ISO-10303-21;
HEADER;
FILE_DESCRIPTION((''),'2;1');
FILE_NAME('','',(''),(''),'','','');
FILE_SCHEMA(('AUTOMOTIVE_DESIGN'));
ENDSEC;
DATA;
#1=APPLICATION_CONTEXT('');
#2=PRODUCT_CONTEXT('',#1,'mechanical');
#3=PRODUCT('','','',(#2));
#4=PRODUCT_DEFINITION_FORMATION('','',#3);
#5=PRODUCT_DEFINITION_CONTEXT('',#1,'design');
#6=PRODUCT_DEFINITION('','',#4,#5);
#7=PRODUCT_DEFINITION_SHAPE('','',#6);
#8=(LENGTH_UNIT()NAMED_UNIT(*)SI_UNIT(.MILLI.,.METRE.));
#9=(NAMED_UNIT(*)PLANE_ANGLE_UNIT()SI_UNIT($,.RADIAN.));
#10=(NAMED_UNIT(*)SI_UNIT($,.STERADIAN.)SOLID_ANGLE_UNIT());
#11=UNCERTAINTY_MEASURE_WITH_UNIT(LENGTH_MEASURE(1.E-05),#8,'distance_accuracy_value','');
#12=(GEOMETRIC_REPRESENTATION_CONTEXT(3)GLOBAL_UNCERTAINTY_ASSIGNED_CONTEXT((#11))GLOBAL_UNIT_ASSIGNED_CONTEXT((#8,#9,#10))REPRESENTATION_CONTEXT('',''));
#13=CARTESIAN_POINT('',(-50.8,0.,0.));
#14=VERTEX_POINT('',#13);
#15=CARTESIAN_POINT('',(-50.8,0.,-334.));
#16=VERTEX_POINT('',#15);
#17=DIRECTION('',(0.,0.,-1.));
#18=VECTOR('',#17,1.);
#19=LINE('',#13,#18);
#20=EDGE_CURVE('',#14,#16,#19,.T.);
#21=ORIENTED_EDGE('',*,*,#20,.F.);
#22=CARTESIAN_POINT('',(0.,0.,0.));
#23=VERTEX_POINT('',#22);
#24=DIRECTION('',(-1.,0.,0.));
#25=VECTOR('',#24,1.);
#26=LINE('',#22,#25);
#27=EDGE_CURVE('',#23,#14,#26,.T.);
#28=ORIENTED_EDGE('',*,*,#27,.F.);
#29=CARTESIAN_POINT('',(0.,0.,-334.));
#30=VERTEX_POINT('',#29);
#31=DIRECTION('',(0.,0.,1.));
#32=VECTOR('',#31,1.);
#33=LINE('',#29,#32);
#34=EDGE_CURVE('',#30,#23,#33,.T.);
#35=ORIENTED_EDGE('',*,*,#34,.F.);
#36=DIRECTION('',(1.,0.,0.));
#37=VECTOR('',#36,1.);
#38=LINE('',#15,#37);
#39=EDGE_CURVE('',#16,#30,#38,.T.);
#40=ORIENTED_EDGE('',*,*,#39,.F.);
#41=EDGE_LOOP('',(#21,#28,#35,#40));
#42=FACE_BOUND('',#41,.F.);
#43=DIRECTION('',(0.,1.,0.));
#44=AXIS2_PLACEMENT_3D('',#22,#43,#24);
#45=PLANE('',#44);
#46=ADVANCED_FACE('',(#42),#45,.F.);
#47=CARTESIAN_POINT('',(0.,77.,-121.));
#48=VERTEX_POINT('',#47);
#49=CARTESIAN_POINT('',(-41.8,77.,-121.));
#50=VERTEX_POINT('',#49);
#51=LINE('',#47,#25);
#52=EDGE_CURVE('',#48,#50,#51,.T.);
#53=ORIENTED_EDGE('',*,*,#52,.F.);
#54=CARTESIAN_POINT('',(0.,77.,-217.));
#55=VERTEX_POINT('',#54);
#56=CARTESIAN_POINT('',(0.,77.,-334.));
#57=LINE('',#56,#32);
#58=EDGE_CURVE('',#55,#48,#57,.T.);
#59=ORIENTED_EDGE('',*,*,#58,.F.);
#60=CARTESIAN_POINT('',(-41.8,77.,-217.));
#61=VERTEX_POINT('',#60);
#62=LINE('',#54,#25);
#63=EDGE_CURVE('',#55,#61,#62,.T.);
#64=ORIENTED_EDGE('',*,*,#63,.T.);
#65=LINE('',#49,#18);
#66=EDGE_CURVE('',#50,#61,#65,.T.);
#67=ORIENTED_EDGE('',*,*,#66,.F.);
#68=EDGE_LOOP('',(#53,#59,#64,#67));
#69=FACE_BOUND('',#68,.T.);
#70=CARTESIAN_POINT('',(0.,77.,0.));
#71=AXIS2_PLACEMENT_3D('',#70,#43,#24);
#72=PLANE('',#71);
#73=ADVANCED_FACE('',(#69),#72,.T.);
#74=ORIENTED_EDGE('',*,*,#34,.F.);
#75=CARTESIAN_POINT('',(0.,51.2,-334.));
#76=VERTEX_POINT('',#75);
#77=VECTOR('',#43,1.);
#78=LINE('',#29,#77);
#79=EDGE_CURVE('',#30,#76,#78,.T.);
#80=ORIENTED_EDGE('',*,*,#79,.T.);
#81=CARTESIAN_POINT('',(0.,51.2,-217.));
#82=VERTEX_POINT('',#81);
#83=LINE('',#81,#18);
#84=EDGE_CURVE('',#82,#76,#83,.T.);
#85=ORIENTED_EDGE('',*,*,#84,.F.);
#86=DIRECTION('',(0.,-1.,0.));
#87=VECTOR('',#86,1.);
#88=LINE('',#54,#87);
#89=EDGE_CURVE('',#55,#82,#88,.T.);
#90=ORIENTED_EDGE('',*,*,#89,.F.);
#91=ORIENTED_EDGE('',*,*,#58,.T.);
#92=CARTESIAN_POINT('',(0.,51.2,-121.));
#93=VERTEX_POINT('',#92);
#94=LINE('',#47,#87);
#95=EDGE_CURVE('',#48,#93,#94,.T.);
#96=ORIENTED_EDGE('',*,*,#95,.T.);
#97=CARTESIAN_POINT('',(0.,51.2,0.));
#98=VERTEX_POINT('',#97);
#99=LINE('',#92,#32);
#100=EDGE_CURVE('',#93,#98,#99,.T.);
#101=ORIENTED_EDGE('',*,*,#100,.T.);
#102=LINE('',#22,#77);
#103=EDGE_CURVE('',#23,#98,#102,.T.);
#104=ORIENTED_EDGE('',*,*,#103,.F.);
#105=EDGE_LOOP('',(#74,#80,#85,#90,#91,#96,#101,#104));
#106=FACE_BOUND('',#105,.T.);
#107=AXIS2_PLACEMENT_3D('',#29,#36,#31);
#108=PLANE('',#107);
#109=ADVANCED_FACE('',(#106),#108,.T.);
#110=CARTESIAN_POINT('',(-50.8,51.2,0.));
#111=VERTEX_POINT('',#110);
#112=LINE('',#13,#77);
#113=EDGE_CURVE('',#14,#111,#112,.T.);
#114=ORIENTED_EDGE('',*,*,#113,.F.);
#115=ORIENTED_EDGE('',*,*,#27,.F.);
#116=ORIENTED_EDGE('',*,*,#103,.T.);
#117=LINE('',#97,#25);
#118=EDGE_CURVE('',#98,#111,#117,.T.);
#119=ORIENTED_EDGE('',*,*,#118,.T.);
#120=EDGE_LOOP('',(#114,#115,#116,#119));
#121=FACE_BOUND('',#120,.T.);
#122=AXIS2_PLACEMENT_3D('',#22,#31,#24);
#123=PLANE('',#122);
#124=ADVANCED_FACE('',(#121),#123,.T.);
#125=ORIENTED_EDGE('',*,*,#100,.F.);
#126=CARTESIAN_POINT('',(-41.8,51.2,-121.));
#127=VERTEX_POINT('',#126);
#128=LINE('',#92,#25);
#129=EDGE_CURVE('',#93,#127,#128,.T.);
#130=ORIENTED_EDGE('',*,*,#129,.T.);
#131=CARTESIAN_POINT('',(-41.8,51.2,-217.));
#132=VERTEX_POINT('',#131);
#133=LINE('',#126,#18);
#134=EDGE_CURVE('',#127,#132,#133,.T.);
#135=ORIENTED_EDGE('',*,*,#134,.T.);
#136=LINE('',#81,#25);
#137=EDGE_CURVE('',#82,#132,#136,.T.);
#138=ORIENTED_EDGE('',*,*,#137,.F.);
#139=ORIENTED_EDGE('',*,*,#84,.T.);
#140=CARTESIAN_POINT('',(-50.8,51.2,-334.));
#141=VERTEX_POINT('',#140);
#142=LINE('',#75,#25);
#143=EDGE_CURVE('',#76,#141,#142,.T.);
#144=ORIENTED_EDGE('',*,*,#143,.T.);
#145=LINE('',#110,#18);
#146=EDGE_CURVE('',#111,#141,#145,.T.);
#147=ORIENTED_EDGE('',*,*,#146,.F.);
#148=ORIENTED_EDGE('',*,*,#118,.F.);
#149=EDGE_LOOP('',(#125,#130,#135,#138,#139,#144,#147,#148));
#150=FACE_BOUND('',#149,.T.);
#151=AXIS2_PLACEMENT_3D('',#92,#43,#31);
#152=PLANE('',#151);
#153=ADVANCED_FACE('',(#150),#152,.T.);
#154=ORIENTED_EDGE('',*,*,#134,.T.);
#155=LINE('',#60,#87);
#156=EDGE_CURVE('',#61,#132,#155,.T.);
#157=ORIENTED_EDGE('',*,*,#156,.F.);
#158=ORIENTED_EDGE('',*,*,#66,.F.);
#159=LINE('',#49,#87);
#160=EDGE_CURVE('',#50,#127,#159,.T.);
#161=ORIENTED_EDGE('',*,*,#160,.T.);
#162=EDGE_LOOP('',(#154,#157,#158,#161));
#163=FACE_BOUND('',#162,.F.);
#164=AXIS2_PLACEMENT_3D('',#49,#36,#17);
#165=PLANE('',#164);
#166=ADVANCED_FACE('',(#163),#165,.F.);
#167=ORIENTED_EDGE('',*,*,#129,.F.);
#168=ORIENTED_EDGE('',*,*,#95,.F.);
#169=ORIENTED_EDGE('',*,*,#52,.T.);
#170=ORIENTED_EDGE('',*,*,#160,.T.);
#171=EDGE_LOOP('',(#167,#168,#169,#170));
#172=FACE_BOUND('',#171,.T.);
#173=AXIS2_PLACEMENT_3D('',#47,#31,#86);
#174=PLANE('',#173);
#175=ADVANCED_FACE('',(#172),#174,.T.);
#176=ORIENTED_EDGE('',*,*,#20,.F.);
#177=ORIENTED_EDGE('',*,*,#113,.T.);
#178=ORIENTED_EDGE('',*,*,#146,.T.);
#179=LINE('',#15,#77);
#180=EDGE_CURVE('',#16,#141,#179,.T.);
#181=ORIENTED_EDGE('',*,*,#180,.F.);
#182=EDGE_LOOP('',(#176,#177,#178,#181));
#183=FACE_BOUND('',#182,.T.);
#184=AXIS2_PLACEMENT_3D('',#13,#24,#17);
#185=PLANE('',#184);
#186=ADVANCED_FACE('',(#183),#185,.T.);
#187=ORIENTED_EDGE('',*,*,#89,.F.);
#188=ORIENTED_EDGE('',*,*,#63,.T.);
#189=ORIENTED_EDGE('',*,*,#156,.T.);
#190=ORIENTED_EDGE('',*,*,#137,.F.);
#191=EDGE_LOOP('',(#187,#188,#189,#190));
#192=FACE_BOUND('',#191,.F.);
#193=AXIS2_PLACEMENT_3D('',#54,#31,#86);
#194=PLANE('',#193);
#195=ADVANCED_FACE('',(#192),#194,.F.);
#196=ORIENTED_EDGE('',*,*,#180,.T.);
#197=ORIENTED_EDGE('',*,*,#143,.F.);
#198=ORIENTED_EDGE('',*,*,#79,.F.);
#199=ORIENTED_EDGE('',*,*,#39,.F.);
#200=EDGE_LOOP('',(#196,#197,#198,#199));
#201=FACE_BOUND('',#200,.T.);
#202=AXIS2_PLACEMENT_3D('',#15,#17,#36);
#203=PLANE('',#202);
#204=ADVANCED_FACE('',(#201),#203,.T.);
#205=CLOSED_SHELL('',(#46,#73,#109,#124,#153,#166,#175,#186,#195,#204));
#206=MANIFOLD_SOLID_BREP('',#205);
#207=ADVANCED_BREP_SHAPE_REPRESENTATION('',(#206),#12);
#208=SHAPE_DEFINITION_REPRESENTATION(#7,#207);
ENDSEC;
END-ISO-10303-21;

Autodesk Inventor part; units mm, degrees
ref_plane "YZ Plane" through (0, 0, 0) normal (1, 0, 0) x (0, 1, 0)
ref_plane "XZ Plane" through (0, 0, 0) normal (0, 1, 0) x (-1, 0, 0)
ref_plane "XY Plane" through (0, 0, 0) normal (0, 0, 1) x (1, 0, 0)
sketch "Sketch1" plane through (0, 0, 0) normal (0, 1, 0) x (-1, 0, 0)
  line L0 (0, 0) -> (50.8, 0)
  line L1 (50.8, 0) -> (50.8, -334)
  line L2 (50.8, -334) -> (0, -334)
  line L3 (0, -334) -> (0, 0)
  dimension "d0" = 50.8
  dimension "d1" = 334
extrude "Extrusion1" add sketch "Sketch1" along normal blind 77
sketch "Sketch3" plane through (0, 0, 0) normal (1, 0, 0) x (0, 0, -1)
  line L0 (0, 77) -> (121, 77)
  line L1 (121, 77) -> (121, 51.2)
  line L2 (121, 51.2) -> (0, 51.2)
  line L3 (0, 51.2) -> (0, 77)
  line L4 (0, 77) -> (334, 77) projected
  line L5 (334, 77) -> (217, 77)
  line L6 (217, 77) -> (217, 51.2)
  line L7 (217, 51.2) -> (334, 51.2)
  line L8 (334, 51.2) -> (334, 77)
  point P0 (0, 0)
  dimension "d9" = 25.8
  dimension "d10" = 117
  dimension "d11" = 25.8
  dimension "d17" = 96
extrude "Extrusion2" cut sketch "Sketch3" against normal blind 52.8
sketch "Sketch6" plane through (0, 77, 0) normal (0, 1, 0) x (1, 0, 0)
  line L0 (-50.8, 217) -> (-50.8, 121) projected
  line L1 (0, 217) -> (-50.8, 217) projected
  line L2 (-50.8, 121) -> (-41.8, 121)
  line L3 (-41.8, 121) -> (-41.8, 217)
  line L4 (-41.8, 217) -> (-50.8, 217)
  line L5 (-50.8, 217) -> (-50.8, 121)
  point P0 (0, 0)
  dimension "d18" = 9
extrude "Extrusion4" cut sketch "Sketch6" against normal blind 25.8
properties part number "PiezaPuerta-1"
